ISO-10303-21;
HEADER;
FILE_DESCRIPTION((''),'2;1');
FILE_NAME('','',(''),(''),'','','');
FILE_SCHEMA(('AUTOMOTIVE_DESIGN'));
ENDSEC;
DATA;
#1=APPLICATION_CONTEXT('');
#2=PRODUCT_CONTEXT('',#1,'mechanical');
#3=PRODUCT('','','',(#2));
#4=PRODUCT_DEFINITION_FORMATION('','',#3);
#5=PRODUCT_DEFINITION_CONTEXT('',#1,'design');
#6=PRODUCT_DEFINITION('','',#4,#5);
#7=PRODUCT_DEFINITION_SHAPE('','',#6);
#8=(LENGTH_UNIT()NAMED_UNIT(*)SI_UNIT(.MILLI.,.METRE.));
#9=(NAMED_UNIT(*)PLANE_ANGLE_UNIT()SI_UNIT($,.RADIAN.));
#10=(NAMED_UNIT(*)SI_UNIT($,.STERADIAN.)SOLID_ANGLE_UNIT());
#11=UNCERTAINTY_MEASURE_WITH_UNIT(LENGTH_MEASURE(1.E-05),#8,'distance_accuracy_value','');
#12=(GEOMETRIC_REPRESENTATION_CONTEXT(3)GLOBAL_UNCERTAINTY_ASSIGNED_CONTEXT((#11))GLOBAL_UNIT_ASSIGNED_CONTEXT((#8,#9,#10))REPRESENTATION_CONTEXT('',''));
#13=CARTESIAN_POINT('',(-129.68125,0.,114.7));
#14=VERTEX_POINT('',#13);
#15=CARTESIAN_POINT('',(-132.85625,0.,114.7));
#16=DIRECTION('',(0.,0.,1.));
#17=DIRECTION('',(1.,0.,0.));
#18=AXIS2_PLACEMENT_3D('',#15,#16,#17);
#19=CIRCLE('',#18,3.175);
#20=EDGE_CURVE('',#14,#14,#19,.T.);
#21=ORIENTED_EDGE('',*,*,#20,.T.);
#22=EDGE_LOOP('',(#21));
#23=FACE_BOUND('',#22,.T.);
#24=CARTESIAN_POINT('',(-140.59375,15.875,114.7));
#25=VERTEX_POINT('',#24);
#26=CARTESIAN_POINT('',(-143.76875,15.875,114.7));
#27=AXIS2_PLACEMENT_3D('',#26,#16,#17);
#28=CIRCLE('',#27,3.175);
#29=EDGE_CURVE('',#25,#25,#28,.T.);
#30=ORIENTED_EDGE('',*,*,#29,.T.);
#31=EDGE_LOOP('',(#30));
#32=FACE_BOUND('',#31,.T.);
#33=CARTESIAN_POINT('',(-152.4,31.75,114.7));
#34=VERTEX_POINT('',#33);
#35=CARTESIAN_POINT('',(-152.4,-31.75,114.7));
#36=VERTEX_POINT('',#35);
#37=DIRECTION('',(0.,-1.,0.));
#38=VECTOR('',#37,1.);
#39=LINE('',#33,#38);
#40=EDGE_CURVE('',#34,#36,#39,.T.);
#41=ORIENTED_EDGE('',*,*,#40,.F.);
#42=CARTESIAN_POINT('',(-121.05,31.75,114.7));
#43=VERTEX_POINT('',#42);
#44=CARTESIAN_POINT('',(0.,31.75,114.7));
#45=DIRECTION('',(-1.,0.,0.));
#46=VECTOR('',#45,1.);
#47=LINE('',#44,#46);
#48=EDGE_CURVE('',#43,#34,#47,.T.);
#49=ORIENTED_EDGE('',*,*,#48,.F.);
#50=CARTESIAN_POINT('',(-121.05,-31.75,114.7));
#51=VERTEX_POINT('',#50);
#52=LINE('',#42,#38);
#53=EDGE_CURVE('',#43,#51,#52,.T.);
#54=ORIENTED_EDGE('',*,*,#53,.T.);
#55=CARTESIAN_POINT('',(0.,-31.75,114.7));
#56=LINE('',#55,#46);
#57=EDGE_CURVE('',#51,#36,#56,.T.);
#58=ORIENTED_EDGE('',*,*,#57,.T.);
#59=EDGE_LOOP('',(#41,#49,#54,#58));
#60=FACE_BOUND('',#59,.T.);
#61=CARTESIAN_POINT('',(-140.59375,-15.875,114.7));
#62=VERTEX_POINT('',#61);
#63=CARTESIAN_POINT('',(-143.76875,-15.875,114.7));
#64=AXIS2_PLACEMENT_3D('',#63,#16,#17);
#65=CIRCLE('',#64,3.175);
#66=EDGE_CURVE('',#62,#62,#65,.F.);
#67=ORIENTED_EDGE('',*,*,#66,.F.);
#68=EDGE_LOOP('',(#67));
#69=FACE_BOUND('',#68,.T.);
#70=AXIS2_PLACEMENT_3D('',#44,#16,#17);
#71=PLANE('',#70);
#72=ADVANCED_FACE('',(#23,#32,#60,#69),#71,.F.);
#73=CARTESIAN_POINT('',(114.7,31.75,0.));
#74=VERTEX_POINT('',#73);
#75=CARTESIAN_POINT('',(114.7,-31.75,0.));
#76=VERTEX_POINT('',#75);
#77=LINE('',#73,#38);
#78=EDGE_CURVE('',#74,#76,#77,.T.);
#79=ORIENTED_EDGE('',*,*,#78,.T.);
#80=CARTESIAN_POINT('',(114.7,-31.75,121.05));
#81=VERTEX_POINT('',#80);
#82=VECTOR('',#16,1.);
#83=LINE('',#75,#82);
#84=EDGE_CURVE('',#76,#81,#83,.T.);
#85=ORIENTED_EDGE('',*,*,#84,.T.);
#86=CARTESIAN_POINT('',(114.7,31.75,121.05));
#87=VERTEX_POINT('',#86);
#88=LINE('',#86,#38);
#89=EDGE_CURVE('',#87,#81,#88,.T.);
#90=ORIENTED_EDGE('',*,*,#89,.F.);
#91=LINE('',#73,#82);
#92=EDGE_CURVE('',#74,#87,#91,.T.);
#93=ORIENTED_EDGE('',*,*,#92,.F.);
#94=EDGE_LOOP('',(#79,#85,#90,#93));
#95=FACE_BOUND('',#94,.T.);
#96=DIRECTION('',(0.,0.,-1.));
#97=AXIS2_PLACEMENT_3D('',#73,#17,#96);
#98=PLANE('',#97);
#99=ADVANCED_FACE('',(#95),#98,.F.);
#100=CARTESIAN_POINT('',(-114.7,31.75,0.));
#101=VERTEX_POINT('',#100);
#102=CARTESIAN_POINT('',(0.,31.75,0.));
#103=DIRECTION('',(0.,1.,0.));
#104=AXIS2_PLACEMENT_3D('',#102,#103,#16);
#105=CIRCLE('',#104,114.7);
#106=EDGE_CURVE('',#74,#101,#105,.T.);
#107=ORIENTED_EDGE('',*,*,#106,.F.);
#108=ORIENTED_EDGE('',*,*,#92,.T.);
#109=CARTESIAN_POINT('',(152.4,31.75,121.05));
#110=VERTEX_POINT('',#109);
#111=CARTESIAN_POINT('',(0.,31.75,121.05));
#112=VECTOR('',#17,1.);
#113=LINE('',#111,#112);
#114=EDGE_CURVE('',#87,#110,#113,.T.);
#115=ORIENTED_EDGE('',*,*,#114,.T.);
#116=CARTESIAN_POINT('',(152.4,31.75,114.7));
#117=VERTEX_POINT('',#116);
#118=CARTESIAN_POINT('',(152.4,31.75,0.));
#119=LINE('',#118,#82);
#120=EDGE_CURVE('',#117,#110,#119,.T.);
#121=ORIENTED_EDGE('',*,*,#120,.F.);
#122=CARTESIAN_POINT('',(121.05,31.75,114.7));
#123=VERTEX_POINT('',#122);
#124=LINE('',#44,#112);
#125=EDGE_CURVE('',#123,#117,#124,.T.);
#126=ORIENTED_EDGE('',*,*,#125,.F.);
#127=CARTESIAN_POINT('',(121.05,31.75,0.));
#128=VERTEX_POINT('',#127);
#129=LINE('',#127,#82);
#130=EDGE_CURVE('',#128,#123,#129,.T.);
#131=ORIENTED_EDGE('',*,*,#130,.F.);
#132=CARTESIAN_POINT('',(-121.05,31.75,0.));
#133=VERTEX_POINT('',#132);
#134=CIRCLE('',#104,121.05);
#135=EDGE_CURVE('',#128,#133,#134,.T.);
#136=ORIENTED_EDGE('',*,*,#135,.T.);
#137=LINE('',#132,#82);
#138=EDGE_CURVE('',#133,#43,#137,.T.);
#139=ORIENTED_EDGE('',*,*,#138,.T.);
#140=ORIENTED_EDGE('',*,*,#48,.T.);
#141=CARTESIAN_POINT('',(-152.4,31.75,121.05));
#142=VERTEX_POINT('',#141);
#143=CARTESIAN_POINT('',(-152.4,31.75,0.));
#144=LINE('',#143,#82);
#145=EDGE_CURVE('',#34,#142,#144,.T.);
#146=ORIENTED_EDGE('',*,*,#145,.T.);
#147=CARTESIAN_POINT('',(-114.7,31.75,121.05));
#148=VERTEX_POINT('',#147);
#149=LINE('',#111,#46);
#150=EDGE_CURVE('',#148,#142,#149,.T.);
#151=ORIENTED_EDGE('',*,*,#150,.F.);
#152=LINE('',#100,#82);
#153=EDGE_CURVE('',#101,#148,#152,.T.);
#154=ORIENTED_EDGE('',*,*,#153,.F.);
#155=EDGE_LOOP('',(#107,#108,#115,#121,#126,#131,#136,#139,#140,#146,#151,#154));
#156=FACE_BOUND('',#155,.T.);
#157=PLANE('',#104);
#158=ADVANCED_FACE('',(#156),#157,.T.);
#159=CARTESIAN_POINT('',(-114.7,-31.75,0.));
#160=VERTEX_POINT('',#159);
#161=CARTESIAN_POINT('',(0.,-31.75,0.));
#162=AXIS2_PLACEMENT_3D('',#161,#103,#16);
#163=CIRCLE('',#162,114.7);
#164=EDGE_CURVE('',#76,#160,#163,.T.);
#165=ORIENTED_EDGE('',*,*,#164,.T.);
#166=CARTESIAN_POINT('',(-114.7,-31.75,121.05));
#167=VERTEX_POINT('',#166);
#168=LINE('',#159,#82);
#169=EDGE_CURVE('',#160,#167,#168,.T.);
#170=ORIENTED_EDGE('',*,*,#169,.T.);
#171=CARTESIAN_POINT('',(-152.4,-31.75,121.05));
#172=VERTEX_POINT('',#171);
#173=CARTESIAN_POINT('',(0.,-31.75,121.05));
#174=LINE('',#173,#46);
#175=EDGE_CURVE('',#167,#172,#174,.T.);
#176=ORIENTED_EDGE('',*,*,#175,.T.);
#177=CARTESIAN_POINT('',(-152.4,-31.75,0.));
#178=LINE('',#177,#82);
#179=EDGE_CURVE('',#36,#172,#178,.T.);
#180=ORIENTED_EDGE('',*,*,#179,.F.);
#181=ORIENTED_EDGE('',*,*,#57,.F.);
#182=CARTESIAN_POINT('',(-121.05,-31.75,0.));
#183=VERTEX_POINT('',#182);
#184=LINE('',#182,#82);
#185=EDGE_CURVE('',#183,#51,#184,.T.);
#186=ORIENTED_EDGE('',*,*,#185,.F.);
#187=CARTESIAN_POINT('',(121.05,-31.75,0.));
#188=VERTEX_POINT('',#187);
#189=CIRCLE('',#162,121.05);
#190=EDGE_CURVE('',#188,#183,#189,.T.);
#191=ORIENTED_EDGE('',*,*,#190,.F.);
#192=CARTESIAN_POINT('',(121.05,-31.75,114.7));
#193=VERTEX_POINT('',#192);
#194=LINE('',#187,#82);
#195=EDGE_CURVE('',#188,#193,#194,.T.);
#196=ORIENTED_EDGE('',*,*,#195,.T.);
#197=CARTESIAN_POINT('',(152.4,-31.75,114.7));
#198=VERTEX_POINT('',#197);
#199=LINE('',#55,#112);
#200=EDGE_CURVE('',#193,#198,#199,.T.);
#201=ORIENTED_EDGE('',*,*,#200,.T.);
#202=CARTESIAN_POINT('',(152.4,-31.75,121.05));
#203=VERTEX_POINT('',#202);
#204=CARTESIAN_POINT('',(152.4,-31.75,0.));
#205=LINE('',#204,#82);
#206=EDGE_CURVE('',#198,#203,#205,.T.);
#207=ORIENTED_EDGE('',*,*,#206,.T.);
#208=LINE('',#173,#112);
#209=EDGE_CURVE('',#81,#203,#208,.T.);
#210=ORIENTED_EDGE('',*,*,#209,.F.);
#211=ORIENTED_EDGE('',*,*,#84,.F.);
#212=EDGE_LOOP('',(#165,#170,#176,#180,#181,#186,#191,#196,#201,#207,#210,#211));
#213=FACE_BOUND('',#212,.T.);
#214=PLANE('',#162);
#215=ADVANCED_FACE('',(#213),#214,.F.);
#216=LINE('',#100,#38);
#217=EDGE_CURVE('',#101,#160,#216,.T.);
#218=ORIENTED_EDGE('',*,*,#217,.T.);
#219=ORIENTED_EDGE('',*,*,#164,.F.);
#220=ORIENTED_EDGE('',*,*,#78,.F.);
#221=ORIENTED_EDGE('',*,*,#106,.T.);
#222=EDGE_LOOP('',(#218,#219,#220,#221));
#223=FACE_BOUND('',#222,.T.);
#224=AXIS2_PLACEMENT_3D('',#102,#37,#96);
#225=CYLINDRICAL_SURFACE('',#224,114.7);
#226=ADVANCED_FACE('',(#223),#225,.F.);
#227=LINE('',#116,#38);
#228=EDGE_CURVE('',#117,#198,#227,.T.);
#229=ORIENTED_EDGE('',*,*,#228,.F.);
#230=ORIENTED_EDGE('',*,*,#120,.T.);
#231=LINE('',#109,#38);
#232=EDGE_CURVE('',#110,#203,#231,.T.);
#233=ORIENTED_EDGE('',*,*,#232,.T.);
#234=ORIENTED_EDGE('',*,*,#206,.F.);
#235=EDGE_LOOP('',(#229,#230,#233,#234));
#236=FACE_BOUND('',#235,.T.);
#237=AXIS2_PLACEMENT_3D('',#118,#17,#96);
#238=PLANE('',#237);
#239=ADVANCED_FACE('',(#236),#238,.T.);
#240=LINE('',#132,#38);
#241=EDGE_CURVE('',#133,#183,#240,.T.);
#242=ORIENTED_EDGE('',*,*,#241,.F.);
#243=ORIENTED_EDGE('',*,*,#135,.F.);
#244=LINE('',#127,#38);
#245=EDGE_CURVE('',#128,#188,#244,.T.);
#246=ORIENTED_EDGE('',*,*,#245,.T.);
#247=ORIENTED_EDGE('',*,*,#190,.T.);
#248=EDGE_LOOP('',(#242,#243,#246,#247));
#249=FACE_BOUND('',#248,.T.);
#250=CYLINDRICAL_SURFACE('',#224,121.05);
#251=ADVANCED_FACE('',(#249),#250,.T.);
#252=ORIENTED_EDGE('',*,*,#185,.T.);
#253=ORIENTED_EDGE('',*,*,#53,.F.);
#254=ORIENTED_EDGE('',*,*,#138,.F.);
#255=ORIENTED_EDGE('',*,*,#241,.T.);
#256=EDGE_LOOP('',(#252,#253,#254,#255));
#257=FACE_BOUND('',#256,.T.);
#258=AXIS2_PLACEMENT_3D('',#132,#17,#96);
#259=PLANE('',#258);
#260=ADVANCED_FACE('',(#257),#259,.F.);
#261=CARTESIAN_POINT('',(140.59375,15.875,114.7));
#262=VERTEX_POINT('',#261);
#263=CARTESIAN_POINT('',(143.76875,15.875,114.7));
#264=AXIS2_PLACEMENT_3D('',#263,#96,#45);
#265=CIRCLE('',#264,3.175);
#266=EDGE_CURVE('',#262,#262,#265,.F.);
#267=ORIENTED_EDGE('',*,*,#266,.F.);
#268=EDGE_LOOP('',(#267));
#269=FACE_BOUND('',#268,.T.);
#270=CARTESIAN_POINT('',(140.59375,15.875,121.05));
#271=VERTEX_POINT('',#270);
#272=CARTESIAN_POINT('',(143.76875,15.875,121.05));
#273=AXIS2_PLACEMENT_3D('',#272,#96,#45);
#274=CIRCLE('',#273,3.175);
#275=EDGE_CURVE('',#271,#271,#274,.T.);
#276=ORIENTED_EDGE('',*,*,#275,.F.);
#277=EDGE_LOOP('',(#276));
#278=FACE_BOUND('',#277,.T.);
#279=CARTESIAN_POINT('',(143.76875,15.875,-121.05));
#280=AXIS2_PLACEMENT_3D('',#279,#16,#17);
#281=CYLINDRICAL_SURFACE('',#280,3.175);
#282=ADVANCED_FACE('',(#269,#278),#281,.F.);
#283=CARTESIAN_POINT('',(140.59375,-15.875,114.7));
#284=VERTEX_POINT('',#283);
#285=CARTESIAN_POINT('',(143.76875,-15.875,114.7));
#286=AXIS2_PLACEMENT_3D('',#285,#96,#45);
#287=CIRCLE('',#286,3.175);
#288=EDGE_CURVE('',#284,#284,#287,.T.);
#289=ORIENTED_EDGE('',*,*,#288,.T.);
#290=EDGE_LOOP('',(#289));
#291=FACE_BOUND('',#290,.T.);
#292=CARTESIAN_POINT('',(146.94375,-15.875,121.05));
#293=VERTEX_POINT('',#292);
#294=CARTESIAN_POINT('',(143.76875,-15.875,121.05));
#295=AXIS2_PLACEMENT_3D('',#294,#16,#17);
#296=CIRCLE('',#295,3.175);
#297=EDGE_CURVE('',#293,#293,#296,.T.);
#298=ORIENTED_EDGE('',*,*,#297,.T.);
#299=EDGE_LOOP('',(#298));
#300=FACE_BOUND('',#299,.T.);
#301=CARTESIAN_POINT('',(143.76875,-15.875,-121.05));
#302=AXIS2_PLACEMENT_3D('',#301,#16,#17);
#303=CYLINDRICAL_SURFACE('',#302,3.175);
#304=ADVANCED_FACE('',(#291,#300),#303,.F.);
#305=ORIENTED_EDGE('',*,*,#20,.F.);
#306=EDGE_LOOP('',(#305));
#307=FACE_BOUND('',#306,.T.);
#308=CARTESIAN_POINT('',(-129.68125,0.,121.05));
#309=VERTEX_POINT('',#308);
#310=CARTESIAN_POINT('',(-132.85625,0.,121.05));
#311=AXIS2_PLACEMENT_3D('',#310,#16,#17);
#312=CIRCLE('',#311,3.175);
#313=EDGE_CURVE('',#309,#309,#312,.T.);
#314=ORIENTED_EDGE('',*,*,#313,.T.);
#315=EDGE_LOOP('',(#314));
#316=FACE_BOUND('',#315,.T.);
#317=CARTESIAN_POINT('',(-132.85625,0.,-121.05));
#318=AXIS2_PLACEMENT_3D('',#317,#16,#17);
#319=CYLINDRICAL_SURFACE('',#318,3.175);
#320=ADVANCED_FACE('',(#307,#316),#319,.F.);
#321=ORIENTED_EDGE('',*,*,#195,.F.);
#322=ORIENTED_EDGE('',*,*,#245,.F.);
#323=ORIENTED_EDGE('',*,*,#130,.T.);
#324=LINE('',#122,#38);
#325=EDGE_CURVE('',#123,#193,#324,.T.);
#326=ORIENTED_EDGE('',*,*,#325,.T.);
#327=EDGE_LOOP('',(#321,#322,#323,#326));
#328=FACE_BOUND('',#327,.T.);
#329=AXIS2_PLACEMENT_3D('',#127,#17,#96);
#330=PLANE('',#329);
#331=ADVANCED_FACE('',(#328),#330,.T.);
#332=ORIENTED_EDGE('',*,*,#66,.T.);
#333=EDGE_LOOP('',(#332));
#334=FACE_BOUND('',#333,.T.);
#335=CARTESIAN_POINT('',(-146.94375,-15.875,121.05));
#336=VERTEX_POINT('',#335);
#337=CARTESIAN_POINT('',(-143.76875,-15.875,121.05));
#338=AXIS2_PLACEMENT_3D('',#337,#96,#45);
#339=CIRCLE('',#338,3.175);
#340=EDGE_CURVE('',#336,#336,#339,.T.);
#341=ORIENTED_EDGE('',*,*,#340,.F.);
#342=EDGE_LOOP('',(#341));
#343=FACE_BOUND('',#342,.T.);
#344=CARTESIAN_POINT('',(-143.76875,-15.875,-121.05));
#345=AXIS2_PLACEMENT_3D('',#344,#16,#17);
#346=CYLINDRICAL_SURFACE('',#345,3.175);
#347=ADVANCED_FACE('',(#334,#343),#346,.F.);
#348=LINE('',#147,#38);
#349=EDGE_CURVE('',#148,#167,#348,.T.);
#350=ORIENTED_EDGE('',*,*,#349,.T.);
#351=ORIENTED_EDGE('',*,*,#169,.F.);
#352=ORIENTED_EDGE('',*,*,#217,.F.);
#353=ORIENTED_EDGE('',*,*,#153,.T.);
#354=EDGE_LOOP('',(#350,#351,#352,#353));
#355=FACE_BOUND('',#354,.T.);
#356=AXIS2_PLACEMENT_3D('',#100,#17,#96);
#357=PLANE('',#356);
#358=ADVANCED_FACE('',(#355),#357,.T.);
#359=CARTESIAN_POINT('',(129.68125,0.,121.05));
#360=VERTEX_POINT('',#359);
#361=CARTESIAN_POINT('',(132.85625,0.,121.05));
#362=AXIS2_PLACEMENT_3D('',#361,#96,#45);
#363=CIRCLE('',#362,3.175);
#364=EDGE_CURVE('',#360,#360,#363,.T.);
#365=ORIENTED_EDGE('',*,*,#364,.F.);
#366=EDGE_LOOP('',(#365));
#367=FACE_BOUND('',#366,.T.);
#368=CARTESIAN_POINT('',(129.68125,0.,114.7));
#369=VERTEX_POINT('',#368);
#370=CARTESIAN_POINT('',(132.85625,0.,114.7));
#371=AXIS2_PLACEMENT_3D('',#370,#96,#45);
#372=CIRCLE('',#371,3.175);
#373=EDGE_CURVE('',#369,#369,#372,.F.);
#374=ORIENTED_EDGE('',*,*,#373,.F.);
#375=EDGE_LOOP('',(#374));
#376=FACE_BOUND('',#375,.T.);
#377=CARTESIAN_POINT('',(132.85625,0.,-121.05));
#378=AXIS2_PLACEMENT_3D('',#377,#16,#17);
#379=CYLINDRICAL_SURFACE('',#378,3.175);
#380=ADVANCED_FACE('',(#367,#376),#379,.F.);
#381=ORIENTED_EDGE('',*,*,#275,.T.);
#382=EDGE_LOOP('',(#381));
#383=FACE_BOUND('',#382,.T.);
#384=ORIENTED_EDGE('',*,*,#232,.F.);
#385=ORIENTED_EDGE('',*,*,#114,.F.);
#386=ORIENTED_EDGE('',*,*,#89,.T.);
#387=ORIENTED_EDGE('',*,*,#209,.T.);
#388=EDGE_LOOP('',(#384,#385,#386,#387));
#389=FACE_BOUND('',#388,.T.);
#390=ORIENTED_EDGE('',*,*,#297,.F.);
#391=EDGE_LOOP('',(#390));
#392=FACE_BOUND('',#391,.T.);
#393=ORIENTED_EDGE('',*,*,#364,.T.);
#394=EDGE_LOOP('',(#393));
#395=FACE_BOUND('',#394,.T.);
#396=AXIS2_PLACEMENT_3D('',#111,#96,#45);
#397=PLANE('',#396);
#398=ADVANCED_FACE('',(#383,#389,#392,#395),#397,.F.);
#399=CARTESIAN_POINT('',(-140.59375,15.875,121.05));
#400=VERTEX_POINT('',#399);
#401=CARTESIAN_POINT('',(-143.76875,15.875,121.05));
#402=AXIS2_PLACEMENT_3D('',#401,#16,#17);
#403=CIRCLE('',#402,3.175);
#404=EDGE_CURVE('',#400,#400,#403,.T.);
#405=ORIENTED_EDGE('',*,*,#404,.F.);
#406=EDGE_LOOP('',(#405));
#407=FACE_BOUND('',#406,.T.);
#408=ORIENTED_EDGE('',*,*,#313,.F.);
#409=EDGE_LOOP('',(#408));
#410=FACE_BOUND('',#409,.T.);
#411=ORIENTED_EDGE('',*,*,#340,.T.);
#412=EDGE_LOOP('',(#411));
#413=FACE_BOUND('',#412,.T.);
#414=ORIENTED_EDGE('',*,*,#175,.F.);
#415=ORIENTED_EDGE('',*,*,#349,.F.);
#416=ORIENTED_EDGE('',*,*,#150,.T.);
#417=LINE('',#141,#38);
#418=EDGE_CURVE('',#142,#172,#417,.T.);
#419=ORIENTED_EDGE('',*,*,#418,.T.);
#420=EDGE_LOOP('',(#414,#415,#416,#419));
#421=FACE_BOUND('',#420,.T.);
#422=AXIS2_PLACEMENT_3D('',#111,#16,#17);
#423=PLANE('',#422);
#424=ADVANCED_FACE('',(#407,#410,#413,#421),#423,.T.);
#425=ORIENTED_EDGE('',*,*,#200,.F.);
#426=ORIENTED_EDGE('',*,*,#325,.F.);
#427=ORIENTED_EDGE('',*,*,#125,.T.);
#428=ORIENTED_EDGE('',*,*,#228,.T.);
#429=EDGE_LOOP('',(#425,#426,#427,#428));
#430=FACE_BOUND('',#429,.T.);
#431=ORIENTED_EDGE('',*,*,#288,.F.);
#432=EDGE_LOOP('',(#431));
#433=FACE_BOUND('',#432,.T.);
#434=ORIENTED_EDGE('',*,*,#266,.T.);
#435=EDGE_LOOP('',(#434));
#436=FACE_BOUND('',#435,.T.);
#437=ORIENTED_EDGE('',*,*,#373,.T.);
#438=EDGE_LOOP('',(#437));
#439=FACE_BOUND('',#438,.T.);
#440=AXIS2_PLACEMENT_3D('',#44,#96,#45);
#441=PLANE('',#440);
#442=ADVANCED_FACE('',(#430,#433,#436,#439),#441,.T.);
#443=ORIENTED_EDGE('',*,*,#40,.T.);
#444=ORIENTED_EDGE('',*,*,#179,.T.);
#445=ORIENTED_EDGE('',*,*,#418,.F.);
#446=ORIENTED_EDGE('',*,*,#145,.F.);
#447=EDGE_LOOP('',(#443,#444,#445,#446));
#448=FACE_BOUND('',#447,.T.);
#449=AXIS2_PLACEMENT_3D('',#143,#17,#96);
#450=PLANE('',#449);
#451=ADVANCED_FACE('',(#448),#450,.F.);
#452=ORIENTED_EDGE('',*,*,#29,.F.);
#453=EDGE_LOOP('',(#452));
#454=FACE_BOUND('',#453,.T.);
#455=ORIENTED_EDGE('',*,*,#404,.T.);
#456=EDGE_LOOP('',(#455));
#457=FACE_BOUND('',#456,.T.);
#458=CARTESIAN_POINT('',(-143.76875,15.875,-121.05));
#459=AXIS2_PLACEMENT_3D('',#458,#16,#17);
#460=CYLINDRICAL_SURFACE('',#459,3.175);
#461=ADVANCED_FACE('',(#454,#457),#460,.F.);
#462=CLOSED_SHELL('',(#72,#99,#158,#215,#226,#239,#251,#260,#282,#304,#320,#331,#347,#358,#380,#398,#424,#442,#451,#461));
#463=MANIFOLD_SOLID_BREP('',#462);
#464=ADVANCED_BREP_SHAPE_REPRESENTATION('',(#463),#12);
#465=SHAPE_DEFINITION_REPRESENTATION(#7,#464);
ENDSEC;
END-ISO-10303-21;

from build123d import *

# Parameters (mm, degrees)
BOSS_EXTRUDE1_DEPTH = 31.75
SKETCH15_R          = 3.175
CUT_EXTRUDE1_DEPTH  = 288.83021471


with BuildPart() as part:
    # Sketch1 → Boss-Extrude1 (new, symmetric)
    with BuildSketch(Plane(origin=(0, 0, 0), x_dir=(1, 0, 0), z_dir=(0, 1, 0))):
        with BuildLine():
            Line((-114.7, -121.05), (-114.7, 0))
            ThreePointArc((-114.7, 0), (0, 114.7), (114.7, 0))
            Line((114.7, 0), (114.7, -121.05))
            Line((114.7, -121.05), (152.4, -121.05))
            Line((152.4, -121.05), (152.4, -114.7))
            Line((152.4, -114.7), (121.05, -114.7))
            Line((121.05, -114.7), (121.05, 0))
            ThreePointArc((121.05, 0), (0, 121.05), (-121.05, 0))
            Line((-121.05, 0), (-121.05, -12.7))
            Line((-121.05, -12.7), (-121.05, -114.7))
            Line((-121.05, -114.7), (-152.4, -114.7))
            Line((-152.4, -114.7), (-152.4, -121.05))
            Line((-152.4, -121.05), (-114.7, -121.05))
        make_face()
    extrude(amount=BOSS_EXTRUDE1_DEPTH, both=True)

    # Sketch15 → Cut-Extrude1 (cut, through all)
    with BuildSketch(Plane.XY.offset(121.05)):
        with Locations((-143.76875, 15.875)):
            Circle(SKETCH15_R)
        with Locations((-143.76875, -15.875)):
            Circle(SKETCH15_R)
        with Locations((-132.85625, 0)):
            Circle(SKETCH15_R)
        with Locations(Location((132.85625, 0, 0), (0, 0, 180))):
            Circle(SKETCH15_R)
        with Locations((143.76875, -15.875)):
            Circle(SKETCH15_R)
        with Locations(Location((143.76875, 15.875, 0), (0, 0, 180))):
            Circle(SKETCH15_R)
    extrude(amount=-CUT_EXTRUDE1_DEPTH, mode=Mode.SUBTRACT)


solid = part.part
